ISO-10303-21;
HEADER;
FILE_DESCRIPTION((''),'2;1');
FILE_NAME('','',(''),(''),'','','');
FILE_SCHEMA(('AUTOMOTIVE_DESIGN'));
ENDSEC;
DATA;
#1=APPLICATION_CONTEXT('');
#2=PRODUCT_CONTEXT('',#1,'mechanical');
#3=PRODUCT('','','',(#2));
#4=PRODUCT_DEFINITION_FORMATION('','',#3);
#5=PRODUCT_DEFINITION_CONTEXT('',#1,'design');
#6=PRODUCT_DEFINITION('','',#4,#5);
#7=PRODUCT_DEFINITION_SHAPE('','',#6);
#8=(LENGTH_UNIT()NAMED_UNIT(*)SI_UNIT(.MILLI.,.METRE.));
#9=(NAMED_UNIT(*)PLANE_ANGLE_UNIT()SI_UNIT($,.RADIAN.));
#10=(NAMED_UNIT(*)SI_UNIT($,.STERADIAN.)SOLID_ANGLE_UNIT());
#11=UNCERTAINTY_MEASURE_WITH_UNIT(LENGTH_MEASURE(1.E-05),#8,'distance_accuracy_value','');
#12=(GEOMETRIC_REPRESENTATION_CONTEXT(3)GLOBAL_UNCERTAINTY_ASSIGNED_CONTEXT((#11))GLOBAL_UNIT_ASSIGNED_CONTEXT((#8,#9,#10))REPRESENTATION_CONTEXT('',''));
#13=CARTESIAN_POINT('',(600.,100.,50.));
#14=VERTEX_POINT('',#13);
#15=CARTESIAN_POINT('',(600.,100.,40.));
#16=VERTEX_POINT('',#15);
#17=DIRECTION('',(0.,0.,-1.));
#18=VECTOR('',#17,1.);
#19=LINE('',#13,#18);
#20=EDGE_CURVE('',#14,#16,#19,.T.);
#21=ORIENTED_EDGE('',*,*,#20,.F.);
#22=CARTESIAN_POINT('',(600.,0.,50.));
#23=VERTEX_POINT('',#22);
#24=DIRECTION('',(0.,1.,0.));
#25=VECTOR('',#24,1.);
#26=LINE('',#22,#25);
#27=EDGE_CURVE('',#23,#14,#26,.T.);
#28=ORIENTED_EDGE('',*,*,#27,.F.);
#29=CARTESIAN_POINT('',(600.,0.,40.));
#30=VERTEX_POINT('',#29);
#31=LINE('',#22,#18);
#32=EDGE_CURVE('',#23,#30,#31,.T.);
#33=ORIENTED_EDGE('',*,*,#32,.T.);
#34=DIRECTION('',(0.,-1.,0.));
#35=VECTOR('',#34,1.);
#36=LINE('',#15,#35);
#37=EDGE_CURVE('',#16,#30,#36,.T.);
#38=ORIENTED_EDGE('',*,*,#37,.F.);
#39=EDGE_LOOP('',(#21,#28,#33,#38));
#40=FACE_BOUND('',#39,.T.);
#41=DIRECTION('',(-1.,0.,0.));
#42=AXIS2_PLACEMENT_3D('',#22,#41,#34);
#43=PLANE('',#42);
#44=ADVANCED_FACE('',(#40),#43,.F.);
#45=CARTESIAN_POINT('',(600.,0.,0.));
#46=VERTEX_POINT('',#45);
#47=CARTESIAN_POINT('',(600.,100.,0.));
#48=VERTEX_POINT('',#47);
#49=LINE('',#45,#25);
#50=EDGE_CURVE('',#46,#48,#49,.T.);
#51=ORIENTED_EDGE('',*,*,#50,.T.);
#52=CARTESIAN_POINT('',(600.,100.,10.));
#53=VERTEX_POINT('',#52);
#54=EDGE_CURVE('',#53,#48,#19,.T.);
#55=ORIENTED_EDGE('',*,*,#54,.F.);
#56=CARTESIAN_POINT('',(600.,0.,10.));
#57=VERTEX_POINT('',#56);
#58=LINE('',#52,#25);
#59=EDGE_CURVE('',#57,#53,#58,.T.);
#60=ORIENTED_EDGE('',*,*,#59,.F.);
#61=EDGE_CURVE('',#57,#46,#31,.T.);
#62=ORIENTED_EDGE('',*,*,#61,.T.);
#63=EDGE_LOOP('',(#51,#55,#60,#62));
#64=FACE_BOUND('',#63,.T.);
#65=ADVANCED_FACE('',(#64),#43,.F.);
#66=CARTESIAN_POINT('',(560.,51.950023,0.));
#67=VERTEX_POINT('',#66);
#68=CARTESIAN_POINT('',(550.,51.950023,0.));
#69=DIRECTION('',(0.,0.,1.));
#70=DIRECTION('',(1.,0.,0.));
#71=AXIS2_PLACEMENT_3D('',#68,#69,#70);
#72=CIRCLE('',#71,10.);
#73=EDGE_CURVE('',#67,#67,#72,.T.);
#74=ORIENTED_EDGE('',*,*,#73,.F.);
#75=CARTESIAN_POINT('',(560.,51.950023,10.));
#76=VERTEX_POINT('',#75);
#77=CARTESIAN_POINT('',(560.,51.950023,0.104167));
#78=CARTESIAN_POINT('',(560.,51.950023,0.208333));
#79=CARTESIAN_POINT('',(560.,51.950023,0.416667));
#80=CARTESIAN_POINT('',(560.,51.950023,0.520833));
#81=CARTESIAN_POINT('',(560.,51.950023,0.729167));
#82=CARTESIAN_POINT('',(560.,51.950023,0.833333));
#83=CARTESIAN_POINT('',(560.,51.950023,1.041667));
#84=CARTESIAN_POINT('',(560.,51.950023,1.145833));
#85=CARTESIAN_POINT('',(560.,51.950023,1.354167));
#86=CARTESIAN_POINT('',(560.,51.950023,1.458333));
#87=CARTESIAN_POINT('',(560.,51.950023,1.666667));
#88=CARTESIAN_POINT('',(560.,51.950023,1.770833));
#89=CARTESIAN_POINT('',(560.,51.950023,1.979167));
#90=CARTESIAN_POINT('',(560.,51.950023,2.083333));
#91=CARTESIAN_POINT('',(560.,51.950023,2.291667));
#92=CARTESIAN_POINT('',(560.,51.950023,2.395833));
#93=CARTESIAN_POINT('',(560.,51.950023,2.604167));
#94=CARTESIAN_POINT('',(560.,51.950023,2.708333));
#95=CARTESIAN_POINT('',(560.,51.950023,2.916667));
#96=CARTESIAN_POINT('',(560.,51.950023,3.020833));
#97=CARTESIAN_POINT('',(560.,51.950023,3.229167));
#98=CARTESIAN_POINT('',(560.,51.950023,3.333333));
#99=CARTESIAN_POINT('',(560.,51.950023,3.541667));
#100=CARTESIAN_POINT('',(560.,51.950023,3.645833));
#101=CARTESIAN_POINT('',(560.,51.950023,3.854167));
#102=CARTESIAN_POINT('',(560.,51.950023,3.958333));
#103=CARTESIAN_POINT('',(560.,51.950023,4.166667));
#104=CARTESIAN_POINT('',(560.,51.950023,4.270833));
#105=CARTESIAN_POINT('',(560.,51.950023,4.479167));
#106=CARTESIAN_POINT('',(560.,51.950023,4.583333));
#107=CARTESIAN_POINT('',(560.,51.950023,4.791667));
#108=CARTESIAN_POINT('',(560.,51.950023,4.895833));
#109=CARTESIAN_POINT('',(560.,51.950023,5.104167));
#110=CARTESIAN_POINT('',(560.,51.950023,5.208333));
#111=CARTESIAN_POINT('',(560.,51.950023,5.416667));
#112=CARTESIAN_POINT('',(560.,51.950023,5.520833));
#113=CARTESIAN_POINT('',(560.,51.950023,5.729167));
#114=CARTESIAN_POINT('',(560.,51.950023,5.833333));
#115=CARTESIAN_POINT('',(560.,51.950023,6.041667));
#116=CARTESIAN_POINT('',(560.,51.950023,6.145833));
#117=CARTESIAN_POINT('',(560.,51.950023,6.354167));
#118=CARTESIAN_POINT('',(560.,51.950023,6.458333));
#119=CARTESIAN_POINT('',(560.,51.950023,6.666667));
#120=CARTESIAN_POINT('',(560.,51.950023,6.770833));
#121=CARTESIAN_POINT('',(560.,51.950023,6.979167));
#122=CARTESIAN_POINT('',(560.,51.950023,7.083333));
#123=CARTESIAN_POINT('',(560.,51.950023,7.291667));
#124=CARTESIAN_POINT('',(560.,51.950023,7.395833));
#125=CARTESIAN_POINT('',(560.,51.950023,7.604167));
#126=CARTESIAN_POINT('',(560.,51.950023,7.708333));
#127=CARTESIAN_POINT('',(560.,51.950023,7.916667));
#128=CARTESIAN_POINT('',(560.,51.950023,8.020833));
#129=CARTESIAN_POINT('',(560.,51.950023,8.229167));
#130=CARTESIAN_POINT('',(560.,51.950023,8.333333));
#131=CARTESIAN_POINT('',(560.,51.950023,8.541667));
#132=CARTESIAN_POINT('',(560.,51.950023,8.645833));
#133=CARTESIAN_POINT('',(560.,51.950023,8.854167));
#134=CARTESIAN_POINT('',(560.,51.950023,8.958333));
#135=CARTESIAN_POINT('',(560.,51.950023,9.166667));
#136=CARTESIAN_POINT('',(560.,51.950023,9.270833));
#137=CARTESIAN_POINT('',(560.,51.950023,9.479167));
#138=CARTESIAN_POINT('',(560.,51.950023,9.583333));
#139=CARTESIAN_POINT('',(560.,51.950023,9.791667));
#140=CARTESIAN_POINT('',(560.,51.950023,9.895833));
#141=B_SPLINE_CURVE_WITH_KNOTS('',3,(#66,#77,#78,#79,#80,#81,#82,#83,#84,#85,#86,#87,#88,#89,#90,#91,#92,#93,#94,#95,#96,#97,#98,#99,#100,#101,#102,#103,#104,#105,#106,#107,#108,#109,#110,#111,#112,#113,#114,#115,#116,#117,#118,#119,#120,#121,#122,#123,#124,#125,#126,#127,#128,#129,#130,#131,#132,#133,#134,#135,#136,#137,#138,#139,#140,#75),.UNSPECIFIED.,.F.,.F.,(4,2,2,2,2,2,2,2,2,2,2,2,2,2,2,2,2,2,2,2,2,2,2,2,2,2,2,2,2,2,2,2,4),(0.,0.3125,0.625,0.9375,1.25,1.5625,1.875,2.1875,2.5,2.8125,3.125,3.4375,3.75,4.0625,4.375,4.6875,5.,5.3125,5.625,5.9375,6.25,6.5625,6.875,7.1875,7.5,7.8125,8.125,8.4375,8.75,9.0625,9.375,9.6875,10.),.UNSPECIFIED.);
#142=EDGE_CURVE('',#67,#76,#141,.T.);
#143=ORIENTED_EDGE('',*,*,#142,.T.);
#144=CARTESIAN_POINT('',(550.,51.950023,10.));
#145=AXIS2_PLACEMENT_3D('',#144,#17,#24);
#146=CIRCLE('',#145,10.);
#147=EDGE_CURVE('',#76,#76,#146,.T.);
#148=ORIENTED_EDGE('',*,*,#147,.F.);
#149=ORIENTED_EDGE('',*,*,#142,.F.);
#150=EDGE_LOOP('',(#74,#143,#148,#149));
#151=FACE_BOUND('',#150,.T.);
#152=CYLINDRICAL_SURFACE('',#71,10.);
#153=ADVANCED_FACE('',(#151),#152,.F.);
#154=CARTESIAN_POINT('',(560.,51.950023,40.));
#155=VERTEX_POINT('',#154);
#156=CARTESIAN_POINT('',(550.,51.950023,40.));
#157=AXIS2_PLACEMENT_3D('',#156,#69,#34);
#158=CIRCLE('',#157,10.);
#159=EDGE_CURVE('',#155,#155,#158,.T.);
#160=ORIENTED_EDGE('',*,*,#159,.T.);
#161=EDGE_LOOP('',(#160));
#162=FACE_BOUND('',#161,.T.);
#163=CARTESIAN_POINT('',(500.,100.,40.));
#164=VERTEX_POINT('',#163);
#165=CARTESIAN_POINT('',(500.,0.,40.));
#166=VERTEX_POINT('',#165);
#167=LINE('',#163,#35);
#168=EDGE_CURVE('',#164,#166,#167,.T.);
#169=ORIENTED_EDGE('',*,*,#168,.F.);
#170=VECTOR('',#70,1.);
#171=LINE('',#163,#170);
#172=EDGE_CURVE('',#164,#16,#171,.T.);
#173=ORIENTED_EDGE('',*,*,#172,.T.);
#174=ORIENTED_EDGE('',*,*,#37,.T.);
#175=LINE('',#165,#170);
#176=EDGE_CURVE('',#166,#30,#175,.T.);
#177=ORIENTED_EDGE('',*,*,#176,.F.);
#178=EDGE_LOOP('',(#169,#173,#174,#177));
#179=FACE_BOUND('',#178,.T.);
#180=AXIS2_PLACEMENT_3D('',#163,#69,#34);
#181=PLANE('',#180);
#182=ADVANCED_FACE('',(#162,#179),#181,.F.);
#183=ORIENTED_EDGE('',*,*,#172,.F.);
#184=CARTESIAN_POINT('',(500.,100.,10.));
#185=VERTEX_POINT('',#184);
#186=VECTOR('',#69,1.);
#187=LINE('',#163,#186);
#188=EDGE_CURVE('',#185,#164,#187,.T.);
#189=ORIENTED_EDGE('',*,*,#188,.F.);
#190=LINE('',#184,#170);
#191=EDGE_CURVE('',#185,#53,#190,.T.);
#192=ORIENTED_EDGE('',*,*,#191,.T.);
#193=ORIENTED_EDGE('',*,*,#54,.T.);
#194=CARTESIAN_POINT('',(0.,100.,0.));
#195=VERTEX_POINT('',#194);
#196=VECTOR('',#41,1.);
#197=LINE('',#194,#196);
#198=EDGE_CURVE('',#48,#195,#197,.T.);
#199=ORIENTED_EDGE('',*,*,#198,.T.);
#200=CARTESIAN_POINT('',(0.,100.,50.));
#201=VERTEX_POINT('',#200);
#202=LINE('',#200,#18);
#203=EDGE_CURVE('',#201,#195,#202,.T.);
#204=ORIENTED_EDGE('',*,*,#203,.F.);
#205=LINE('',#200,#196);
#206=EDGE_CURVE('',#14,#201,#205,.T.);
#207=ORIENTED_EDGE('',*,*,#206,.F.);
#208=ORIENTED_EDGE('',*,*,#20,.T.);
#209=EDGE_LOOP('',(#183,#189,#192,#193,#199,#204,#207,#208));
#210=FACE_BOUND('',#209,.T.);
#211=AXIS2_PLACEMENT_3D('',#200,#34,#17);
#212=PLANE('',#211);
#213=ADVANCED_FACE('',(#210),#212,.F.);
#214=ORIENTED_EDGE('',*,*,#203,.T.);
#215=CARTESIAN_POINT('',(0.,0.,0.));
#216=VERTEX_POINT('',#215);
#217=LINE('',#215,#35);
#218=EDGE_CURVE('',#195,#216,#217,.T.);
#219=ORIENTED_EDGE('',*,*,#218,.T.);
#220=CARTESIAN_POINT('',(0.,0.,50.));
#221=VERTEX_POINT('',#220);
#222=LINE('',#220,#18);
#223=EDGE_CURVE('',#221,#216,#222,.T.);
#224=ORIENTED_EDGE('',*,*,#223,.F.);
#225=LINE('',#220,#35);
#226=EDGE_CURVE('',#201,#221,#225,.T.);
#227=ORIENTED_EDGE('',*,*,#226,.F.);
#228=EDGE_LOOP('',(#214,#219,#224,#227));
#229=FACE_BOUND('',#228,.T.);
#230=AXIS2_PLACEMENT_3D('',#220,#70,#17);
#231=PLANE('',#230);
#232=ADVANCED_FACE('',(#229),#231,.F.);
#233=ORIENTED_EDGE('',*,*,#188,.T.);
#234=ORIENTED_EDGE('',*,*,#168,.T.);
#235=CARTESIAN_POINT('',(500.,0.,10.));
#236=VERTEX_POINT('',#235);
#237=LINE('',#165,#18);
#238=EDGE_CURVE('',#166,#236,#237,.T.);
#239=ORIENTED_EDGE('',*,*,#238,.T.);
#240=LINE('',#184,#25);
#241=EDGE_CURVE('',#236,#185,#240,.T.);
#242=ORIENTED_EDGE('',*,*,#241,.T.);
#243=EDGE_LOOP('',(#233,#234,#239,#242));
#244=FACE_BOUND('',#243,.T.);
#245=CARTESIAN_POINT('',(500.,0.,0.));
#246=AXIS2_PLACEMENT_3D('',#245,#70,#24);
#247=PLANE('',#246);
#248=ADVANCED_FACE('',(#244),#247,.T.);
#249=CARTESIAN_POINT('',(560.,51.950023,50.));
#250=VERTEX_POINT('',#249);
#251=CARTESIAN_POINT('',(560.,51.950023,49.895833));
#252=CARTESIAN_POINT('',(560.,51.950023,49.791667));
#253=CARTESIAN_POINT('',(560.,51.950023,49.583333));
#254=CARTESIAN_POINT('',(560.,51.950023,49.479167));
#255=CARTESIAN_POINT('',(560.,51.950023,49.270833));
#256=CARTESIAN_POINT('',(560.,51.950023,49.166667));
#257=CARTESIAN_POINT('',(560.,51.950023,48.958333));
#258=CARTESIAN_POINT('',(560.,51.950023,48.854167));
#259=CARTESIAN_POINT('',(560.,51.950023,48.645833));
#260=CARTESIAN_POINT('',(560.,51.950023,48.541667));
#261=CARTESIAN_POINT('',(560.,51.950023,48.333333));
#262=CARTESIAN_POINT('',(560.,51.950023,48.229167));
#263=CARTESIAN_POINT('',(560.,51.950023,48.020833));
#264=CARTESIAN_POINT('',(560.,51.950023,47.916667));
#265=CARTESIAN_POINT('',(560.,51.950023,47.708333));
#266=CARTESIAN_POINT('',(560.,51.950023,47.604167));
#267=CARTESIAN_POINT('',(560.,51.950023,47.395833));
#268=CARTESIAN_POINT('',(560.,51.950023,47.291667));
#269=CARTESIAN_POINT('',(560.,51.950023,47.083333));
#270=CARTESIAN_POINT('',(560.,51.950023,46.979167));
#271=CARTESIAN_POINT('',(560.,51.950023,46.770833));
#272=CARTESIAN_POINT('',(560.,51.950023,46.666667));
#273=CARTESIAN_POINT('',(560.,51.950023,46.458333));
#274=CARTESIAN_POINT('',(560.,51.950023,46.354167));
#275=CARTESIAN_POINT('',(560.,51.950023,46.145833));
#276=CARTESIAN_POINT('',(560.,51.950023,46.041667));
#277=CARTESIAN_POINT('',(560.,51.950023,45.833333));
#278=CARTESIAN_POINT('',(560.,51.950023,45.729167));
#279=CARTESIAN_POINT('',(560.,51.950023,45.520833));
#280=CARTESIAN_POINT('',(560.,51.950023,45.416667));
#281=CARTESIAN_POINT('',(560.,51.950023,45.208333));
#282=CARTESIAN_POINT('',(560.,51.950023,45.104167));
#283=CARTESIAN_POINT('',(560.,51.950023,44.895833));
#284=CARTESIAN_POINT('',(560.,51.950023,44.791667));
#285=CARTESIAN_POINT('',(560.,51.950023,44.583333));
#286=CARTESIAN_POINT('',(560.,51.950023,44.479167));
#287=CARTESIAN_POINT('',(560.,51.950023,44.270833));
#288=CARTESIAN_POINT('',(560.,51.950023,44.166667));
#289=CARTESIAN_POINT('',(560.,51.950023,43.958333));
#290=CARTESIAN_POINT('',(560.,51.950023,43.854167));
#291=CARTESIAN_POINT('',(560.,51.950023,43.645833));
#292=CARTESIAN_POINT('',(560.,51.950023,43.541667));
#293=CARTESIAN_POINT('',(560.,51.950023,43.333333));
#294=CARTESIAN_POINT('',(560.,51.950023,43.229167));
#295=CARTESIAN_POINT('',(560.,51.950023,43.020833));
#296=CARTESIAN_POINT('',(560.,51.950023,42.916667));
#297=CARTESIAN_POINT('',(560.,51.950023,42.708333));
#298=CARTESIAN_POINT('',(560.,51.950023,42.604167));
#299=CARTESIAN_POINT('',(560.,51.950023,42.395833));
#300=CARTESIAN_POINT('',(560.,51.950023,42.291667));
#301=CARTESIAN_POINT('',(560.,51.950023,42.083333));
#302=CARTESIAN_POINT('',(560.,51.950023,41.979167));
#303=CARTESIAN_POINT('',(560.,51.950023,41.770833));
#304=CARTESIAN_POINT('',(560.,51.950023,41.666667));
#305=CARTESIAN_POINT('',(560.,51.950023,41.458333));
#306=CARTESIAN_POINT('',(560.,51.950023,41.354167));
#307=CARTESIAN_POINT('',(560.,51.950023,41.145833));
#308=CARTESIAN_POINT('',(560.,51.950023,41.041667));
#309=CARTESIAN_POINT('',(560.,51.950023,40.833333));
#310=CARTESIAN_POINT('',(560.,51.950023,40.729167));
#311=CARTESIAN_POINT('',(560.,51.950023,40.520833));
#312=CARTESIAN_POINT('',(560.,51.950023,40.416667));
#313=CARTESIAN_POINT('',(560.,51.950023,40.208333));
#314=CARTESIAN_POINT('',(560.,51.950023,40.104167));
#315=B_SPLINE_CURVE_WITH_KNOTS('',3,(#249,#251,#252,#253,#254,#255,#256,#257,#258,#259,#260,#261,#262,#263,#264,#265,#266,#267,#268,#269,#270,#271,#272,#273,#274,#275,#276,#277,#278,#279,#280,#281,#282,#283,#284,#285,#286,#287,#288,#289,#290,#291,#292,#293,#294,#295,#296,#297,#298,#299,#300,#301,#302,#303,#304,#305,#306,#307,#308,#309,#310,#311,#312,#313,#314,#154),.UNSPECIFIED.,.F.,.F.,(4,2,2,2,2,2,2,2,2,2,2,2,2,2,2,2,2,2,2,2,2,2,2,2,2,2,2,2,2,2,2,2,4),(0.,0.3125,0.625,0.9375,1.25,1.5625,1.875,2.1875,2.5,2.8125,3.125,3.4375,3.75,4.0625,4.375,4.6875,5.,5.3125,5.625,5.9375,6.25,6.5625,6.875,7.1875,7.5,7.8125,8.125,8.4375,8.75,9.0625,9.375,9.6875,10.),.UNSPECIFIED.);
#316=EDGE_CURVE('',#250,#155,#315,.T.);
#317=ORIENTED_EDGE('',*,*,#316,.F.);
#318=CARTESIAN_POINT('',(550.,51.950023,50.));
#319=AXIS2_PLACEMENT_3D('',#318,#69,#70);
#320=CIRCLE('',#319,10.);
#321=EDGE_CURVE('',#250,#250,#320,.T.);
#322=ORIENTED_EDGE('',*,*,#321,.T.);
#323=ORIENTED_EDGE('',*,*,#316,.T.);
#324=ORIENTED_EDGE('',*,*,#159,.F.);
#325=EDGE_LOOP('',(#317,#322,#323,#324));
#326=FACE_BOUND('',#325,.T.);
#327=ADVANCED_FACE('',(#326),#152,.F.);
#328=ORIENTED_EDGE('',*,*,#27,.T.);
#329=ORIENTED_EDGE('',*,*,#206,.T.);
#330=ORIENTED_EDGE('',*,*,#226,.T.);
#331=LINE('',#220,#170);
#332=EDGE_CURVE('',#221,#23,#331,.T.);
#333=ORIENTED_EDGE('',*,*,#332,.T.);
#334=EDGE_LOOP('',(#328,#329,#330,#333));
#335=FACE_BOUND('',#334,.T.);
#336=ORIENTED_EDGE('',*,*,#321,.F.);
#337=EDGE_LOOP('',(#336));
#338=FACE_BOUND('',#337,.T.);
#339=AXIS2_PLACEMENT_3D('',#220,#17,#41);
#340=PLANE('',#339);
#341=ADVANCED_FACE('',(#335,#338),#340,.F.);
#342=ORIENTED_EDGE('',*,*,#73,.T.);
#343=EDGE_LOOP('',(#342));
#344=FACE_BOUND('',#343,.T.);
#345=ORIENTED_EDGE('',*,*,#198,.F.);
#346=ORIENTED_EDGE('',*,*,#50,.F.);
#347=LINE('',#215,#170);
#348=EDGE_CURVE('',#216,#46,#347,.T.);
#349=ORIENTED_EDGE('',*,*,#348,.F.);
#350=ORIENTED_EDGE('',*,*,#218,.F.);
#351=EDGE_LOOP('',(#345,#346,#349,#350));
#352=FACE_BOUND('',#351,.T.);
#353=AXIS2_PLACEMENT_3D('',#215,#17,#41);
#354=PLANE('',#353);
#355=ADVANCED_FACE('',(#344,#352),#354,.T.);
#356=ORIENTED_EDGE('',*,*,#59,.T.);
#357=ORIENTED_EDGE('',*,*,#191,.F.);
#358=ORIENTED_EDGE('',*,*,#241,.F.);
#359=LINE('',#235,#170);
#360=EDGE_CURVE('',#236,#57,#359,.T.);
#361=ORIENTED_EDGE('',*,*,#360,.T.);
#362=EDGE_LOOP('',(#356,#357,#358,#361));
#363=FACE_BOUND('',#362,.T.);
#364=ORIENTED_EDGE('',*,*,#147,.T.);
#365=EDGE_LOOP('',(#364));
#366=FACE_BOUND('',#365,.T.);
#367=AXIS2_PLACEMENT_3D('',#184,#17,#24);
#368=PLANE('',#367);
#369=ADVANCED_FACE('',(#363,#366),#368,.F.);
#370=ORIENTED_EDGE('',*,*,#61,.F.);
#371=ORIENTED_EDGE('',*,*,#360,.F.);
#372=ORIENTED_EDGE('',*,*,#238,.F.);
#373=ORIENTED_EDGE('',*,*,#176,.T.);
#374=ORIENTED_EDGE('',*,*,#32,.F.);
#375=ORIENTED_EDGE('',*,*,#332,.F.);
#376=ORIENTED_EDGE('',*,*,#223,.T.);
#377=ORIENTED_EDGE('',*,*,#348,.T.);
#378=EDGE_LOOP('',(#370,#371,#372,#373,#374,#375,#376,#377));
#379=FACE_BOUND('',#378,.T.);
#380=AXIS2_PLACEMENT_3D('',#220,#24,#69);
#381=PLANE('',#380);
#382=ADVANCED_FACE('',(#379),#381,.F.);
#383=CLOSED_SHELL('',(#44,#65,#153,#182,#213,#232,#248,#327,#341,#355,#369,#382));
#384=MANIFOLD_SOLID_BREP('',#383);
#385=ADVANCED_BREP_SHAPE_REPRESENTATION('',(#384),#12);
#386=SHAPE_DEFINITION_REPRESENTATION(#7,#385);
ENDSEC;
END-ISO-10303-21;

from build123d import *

# Parameters (mm, degrees)
SKETCH1_W               = 600
SKETCH1_H               = 100
BOSS_EXTRUDE1_DEPTH     = 50
SKETCH2_W               = 30
SKETCH2_H               = 100
CUT_EXTRUDE1_DEPTH      = 100
CUT_EXTRUDE3_DEPTH      = 610.590026165
CUT_EXTRUDE3_DEPTH_BACK = 610.590026165
SKETCH3_R               = 10


with BuildPart() as part:
    # Sketch1 → Boss-Extrude1 (new body)
    with BuildSketch(Plane.XY):
        with Locations((300, 50)):
            Rectangle(SKETCH1_W, SKETCH1_H)
    extrude(amount=BOSS_EXTRUDE1_DEPTH)

    # Sketch2 → Cut-Extrude1 (cut)
    with BuildSketch(Plane(origin=(600, 0, 0), x_dir=(0, 0, -1), z_dir=(1, 0, 0))):
        with Locations((-25, 50)):
            Rectangle(SKETCH2_W, SKETCH2_H)
    extrude(amount=-CUT_EXTRUDE1_DEPTH, mode=Mode.SUBTRACT)

    # Sketch3 → Cut-Extrude3 (cut, two sides: drawn at the far end of the back side and taken through both)
    with BuildSketch(Plane.XY.offset(10).offset(-CUT_EXTRUDE3_DEPTH_BACK)):
        with Locations((550, 51.950023211)):
            Circle(SKETCH3_R)
    extrude(amount=CUT_EXTRUDE3_DEPTH + CUT_EXTRUDE3_DEPTH_BACK, mode=Mode.SUBTRACT)


solid = part.part
